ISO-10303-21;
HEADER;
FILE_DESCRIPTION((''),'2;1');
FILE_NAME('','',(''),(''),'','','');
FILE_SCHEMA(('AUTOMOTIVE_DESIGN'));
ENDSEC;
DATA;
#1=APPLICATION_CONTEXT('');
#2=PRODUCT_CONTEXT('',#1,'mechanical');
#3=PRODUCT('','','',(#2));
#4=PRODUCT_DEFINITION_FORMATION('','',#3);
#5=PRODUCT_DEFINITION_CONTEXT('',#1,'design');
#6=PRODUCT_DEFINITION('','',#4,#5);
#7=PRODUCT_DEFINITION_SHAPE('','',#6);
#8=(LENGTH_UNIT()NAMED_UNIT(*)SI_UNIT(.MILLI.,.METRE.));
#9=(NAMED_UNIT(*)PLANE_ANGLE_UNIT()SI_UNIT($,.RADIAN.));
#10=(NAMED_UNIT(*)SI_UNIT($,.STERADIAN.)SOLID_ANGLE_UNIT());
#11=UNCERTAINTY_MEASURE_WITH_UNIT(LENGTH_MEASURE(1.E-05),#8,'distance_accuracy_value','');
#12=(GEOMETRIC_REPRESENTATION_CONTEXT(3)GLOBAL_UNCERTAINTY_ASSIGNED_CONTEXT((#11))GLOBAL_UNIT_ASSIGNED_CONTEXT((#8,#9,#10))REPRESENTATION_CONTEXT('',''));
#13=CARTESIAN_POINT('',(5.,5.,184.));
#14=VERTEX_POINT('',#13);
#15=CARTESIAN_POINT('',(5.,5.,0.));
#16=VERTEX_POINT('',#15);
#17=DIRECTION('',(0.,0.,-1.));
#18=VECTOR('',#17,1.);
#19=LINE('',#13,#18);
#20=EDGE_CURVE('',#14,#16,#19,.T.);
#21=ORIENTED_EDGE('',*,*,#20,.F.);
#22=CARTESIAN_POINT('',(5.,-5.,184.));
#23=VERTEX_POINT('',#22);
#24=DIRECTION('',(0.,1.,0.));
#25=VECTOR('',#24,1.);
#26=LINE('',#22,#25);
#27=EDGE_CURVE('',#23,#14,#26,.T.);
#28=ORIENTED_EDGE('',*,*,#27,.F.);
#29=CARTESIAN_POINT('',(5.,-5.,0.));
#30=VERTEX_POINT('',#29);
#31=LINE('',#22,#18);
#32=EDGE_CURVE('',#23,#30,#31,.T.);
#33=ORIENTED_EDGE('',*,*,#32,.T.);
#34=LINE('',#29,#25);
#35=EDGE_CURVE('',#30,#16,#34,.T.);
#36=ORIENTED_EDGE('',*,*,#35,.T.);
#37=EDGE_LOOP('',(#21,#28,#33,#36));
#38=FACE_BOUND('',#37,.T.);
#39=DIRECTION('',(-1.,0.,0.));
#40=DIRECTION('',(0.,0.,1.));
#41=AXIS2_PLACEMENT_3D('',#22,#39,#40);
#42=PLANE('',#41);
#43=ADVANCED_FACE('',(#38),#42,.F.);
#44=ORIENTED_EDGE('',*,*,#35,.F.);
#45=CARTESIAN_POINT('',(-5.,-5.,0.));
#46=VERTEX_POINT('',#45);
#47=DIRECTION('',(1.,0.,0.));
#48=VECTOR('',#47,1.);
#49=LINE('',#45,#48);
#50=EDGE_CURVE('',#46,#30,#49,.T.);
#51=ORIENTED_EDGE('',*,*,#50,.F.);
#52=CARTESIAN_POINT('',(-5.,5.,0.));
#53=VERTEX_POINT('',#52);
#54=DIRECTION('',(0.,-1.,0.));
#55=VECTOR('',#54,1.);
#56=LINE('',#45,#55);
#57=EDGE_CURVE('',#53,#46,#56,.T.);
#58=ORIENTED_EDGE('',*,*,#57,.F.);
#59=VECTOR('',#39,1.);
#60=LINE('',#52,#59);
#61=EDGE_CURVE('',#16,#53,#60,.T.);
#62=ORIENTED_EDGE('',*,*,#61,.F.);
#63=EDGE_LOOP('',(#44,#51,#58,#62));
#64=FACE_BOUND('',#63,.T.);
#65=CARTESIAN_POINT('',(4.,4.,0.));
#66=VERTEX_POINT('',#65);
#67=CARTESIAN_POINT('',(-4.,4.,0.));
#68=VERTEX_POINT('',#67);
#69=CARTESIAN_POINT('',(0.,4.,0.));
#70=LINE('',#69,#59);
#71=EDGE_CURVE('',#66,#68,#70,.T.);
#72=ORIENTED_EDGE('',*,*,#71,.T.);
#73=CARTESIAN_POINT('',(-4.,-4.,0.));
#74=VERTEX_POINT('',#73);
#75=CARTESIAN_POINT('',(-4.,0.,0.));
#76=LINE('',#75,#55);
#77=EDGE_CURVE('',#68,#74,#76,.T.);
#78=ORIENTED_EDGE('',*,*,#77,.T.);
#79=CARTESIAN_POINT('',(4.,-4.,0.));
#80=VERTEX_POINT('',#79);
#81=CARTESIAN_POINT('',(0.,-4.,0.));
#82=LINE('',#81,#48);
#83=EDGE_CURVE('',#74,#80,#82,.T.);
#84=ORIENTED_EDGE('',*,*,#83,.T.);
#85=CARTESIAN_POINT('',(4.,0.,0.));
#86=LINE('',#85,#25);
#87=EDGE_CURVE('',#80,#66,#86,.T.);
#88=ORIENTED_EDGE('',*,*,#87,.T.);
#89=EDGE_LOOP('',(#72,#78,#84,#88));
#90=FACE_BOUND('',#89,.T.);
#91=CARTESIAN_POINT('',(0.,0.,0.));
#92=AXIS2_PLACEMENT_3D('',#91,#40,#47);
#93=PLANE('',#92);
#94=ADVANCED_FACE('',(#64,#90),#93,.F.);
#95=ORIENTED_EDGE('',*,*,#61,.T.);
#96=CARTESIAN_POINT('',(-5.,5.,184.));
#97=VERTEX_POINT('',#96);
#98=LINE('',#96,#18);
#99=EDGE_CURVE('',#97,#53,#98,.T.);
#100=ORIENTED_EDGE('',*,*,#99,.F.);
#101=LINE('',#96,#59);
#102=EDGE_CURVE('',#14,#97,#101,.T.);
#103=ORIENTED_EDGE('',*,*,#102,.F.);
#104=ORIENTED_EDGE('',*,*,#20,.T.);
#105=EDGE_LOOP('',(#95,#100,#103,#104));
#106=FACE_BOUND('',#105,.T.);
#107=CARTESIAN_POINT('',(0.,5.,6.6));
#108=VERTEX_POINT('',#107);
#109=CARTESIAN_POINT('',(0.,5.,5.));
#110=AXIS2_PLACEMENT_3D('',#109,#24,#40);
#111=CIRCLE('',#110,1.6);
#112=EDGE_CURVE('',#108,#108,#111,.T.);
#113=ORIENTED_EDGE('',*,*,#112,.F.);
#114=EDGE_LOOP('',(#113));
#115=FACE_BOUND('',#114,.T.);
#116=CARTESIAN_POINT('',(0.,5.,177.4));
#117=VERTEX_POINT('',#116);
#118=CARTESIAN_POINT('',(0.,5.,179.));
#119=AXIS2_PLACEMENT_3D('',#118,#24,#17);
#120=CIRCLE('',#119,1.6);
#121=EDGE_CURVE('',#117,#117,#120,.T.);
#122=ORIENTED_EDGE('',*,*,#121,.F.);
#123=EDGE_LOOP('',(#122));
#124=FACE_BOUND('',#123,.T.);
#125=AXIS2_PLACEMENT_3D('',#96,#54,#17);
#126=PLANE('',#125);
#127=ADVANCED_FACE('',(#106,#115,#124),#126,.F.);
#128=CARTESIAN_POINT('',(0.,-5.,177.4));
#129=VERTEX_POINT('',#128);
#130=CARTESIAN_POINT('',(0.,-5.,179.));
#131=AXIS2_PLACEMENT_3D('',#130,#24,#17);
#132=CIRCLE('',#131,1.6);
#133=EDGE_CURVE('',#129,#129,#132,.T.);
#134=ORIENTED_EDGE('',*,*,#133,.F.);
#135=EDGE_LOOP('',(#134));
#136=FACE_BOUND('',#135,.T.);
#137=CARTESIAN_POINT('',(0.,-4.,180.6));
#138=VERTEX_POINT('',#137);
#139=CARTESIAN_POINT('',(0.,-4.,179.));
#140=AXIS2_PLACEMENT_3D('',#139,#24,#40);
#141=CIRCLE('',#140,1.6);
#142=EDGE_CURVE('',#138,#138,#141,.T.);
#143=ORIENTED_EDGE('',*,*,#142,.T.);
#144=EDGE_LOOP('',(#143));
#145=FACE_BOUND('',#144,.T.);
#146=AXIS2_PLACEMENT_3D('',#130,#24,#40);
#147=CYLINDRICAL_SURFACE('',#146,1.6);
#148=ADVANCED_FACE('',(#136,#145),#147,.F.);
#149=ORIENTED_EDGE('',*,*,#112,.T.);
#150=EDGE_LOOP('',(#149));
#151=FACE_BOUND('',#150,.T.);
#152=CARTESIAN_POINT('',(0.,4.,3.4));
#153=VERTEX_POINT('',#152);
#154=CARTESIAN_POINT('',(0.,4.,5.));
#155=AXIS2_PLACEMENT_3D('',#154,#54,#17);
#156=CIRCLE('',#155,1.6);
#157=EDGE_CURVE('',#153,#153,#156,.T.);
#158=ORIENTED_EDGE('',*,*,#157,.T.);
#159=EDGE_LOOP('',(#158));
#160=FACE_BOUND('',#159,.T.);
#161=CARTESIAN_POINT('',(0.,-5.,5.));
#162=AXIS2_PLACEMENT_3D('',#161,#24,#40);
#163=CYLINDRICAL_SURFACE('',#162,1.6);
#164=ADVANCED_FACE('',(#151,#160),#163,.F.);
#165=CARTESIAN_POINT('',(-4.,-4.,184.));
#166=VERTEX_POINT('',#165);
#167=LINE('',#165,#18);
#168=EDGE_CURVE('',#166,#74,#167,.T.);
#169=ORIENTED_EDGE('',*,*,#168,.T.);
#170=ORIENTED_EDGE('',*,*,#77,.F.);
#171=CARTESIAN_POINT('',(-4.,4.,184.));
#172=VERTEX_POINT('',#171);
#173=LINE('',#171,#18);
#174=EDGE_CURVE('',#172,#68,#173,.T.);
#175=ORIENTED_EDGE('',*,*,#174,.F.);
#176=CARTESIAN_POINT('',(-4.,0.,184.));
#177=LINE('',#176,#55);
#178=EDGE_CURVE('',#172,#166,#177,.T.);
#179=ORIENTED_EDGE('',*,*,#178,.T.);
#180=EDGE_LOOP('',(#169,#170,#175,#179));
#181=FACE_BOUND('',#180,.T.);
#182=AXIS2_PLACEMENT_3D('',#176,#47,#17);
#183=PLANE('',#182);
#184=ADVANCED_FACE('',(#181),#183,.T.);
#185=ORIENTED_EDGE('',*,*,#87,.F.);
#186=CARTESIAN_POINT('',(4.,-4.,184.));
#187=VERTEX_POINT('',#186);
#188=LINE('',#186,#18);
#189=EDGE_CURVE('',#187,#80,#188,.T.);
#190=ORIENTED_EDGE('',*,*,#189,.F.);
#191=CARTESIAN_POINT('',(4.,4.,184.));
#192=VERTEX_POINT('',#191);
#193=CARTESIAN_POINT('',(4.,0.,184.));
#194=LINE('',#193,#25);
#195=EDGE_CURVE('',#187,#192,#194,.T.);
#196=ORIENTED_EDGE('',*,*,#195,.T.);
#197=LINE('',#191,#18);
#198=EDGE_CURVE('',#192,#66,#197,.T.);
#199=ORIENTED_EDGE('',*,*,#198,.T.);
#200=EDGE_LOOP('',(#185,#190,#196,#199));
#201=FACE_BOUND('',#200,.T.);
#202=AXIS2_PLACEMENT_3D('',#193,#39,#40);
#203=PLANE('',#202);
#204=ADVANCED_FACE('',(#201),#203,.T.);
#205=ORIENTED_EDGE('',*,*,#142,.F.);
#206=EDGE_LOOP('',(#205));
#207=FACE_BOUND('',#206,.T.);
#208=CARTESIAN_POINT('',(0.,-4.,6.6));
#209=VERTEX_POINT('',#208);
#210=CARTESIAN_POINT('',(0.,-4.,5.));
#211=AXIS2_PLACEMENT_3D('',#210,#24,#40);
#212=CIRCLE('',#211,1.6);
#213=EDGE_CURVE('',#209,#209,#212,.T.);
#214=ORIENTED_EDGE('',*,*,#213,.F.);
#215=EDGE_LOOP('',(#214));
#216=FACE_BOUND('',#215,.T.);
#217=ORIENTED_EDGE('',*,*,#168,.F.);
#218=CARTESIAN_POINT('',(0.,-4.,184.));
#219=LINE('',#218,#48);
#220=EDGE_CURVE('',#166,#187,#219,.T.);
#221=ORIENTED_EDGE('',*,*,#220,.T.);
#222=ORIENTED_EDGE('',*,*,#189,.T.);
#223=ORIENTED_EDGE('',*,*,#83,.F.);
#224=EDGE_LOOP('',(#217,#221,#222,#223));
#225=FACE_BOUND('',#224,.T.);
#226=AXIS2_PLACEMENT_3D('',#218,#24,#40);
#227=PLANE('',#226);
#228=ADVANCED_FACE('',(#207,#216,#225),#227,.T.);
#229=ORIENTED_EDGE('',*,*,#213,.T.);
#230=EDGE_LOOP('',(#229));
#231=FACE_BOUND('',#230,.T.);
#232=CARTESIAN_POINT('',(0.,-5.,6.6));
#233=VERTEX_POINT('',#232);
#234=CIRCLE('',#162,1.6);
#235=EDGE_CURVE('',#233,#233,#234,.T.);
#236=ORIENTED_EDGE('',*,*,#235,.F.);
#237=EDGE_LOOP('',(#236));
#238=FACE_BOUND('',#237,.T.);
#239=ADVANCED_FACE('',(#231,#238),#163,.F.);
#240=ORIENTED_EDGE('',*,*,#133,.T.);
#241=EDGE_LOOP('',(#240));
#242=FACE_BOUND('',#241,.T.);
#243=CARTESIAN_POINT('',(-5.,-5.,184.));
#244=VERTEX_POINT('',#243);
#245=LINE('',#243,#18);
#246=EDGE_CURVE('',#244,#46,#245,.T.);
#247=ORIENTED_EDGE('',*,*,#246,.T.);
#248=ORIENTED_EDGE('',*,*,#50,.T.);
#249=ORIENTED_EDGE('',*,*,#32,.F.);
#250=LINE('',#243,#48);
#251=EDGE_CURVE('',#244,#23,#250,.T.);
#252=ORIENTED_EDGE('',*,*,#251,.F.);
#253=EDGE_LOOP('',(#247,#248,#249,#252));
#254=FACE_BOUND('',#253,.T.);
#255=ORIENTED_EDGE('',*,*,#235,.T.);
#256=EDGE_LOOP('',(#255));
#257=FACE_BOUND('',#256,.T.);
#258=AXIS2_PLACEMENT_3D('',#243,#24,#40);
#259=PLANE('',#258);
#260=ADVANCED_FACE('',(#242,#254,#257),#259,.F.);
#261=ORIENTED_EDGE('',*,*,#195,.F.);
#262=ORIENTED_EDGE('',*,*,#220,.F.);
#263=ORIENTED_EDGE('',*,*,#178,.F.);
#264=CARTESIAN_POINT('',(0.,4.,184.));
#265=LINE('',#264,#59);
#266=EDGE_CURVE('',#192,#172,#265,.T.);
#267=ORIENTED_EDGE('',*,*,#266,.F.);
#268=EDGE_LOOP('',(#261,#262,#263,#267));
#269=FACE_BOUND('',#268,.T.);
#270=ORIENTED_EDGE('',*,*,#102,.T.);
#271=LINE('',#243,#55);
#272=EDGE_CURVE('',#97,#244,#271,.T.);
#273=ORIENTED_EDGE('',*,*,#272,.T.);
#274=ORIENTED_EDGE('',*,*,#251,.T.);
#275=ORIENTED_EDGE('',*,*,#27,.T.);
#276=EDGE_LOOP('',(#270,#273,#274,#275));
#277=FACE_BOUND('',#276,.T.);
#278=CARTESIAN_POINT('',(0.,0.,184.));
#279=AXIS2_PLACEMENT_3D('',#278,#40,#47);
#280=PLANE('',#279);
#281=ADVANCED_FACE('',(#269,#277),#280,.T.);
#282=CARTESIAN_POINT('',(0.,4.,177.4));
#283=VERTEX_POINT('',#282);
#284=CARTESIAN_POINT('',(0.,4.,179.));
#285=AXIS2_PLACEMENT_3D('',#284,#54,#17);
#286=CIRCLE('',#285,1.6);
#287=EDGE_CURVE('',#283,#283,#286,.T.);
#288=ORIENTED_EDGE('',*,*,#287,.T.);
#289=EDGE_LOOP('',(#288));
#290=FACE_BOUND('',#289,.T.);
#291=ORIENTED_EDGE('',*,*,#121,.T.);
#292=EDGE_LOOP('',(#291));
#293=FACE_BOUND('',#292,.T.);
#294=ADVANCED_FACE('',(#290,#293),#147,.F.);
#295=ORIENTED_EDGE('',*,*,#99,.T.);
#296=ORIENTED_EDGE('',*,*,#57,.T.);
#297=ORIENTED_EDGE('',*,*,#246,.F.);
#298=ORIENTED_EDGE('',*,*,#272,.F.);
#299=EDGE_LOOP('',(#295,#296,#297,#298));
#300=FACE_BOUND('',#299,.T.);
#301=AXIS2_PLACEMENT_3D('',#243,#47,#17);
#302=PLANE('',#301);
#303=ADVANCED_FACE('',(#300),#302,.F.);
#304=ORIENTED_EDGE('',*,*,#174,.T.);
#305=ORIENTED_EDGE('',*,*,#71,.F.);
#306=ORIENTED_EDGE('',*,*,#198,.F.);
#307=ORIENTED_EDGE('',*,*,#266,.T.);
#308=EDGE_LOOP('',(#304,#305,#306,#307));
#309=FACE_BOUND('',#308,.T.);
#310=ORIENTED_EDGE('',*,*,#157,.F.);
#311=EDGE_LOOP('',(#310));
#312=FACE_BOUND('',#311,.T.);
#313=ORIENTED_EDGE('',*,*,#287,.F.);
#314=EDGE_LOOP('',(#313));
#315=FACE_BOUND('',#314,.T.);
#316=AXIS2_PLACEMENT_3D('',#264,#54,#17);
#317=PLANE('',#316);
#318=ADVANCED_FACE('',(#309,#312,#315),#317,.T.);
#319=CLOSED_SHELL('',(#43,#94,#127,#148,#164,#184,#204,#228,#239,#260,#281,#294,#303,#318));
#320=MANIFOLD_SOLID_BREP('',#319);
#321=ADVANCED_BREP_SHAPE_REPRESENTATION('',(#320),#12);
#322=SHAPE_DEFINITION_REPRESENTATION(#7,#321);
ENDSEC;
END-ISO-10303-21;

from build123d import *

# Parameters (mm, degrees)
SKETCH_282_W          = 10
SKETCH_282_H          = 10
SKETCH_282_W_2        = 8
SKETCH_282_H_2        = 8
EXTRUDE_339_DEPTH     = 184
SKETCH_411_R          = 1.6
CUT_EXTRUDE_748_DEPTH = 185.339360962


with BuildPart() as part:
    # Sketch 282 → Extrude 339 (new body)
    with BuildSketch(Plane.XY):
        Rectangle(SKETCH_282_W, SKETCH_282_H)
        Rectangle(SKETCH_282_W_2, SKETCH_282_H_2, mode=Mode.SUBTRACT)
    extrude(amount=EXTRUDE_339_DEPTH)

    # Sketch 411 → Cut-Extrude 748 (cut, through all)
    with BuildSketch(Plane(origin=(0, 5, 0), x_dir=(1, 0, 0), z_dir=(0, 1, 0))):
        with Locations(Location((0, -5, 0), (0, 0, 270))):
            Circle(SKETCH_411_R)
        with Locations(Location((0, -179, 0), (0, 0, 270))):
            Circle(SKETCH_411_R)
    extrude(amount=-CUT_EXTRUDE_748_DEPTH, mode=Mode.SUBTRACT)


solid = part.part
